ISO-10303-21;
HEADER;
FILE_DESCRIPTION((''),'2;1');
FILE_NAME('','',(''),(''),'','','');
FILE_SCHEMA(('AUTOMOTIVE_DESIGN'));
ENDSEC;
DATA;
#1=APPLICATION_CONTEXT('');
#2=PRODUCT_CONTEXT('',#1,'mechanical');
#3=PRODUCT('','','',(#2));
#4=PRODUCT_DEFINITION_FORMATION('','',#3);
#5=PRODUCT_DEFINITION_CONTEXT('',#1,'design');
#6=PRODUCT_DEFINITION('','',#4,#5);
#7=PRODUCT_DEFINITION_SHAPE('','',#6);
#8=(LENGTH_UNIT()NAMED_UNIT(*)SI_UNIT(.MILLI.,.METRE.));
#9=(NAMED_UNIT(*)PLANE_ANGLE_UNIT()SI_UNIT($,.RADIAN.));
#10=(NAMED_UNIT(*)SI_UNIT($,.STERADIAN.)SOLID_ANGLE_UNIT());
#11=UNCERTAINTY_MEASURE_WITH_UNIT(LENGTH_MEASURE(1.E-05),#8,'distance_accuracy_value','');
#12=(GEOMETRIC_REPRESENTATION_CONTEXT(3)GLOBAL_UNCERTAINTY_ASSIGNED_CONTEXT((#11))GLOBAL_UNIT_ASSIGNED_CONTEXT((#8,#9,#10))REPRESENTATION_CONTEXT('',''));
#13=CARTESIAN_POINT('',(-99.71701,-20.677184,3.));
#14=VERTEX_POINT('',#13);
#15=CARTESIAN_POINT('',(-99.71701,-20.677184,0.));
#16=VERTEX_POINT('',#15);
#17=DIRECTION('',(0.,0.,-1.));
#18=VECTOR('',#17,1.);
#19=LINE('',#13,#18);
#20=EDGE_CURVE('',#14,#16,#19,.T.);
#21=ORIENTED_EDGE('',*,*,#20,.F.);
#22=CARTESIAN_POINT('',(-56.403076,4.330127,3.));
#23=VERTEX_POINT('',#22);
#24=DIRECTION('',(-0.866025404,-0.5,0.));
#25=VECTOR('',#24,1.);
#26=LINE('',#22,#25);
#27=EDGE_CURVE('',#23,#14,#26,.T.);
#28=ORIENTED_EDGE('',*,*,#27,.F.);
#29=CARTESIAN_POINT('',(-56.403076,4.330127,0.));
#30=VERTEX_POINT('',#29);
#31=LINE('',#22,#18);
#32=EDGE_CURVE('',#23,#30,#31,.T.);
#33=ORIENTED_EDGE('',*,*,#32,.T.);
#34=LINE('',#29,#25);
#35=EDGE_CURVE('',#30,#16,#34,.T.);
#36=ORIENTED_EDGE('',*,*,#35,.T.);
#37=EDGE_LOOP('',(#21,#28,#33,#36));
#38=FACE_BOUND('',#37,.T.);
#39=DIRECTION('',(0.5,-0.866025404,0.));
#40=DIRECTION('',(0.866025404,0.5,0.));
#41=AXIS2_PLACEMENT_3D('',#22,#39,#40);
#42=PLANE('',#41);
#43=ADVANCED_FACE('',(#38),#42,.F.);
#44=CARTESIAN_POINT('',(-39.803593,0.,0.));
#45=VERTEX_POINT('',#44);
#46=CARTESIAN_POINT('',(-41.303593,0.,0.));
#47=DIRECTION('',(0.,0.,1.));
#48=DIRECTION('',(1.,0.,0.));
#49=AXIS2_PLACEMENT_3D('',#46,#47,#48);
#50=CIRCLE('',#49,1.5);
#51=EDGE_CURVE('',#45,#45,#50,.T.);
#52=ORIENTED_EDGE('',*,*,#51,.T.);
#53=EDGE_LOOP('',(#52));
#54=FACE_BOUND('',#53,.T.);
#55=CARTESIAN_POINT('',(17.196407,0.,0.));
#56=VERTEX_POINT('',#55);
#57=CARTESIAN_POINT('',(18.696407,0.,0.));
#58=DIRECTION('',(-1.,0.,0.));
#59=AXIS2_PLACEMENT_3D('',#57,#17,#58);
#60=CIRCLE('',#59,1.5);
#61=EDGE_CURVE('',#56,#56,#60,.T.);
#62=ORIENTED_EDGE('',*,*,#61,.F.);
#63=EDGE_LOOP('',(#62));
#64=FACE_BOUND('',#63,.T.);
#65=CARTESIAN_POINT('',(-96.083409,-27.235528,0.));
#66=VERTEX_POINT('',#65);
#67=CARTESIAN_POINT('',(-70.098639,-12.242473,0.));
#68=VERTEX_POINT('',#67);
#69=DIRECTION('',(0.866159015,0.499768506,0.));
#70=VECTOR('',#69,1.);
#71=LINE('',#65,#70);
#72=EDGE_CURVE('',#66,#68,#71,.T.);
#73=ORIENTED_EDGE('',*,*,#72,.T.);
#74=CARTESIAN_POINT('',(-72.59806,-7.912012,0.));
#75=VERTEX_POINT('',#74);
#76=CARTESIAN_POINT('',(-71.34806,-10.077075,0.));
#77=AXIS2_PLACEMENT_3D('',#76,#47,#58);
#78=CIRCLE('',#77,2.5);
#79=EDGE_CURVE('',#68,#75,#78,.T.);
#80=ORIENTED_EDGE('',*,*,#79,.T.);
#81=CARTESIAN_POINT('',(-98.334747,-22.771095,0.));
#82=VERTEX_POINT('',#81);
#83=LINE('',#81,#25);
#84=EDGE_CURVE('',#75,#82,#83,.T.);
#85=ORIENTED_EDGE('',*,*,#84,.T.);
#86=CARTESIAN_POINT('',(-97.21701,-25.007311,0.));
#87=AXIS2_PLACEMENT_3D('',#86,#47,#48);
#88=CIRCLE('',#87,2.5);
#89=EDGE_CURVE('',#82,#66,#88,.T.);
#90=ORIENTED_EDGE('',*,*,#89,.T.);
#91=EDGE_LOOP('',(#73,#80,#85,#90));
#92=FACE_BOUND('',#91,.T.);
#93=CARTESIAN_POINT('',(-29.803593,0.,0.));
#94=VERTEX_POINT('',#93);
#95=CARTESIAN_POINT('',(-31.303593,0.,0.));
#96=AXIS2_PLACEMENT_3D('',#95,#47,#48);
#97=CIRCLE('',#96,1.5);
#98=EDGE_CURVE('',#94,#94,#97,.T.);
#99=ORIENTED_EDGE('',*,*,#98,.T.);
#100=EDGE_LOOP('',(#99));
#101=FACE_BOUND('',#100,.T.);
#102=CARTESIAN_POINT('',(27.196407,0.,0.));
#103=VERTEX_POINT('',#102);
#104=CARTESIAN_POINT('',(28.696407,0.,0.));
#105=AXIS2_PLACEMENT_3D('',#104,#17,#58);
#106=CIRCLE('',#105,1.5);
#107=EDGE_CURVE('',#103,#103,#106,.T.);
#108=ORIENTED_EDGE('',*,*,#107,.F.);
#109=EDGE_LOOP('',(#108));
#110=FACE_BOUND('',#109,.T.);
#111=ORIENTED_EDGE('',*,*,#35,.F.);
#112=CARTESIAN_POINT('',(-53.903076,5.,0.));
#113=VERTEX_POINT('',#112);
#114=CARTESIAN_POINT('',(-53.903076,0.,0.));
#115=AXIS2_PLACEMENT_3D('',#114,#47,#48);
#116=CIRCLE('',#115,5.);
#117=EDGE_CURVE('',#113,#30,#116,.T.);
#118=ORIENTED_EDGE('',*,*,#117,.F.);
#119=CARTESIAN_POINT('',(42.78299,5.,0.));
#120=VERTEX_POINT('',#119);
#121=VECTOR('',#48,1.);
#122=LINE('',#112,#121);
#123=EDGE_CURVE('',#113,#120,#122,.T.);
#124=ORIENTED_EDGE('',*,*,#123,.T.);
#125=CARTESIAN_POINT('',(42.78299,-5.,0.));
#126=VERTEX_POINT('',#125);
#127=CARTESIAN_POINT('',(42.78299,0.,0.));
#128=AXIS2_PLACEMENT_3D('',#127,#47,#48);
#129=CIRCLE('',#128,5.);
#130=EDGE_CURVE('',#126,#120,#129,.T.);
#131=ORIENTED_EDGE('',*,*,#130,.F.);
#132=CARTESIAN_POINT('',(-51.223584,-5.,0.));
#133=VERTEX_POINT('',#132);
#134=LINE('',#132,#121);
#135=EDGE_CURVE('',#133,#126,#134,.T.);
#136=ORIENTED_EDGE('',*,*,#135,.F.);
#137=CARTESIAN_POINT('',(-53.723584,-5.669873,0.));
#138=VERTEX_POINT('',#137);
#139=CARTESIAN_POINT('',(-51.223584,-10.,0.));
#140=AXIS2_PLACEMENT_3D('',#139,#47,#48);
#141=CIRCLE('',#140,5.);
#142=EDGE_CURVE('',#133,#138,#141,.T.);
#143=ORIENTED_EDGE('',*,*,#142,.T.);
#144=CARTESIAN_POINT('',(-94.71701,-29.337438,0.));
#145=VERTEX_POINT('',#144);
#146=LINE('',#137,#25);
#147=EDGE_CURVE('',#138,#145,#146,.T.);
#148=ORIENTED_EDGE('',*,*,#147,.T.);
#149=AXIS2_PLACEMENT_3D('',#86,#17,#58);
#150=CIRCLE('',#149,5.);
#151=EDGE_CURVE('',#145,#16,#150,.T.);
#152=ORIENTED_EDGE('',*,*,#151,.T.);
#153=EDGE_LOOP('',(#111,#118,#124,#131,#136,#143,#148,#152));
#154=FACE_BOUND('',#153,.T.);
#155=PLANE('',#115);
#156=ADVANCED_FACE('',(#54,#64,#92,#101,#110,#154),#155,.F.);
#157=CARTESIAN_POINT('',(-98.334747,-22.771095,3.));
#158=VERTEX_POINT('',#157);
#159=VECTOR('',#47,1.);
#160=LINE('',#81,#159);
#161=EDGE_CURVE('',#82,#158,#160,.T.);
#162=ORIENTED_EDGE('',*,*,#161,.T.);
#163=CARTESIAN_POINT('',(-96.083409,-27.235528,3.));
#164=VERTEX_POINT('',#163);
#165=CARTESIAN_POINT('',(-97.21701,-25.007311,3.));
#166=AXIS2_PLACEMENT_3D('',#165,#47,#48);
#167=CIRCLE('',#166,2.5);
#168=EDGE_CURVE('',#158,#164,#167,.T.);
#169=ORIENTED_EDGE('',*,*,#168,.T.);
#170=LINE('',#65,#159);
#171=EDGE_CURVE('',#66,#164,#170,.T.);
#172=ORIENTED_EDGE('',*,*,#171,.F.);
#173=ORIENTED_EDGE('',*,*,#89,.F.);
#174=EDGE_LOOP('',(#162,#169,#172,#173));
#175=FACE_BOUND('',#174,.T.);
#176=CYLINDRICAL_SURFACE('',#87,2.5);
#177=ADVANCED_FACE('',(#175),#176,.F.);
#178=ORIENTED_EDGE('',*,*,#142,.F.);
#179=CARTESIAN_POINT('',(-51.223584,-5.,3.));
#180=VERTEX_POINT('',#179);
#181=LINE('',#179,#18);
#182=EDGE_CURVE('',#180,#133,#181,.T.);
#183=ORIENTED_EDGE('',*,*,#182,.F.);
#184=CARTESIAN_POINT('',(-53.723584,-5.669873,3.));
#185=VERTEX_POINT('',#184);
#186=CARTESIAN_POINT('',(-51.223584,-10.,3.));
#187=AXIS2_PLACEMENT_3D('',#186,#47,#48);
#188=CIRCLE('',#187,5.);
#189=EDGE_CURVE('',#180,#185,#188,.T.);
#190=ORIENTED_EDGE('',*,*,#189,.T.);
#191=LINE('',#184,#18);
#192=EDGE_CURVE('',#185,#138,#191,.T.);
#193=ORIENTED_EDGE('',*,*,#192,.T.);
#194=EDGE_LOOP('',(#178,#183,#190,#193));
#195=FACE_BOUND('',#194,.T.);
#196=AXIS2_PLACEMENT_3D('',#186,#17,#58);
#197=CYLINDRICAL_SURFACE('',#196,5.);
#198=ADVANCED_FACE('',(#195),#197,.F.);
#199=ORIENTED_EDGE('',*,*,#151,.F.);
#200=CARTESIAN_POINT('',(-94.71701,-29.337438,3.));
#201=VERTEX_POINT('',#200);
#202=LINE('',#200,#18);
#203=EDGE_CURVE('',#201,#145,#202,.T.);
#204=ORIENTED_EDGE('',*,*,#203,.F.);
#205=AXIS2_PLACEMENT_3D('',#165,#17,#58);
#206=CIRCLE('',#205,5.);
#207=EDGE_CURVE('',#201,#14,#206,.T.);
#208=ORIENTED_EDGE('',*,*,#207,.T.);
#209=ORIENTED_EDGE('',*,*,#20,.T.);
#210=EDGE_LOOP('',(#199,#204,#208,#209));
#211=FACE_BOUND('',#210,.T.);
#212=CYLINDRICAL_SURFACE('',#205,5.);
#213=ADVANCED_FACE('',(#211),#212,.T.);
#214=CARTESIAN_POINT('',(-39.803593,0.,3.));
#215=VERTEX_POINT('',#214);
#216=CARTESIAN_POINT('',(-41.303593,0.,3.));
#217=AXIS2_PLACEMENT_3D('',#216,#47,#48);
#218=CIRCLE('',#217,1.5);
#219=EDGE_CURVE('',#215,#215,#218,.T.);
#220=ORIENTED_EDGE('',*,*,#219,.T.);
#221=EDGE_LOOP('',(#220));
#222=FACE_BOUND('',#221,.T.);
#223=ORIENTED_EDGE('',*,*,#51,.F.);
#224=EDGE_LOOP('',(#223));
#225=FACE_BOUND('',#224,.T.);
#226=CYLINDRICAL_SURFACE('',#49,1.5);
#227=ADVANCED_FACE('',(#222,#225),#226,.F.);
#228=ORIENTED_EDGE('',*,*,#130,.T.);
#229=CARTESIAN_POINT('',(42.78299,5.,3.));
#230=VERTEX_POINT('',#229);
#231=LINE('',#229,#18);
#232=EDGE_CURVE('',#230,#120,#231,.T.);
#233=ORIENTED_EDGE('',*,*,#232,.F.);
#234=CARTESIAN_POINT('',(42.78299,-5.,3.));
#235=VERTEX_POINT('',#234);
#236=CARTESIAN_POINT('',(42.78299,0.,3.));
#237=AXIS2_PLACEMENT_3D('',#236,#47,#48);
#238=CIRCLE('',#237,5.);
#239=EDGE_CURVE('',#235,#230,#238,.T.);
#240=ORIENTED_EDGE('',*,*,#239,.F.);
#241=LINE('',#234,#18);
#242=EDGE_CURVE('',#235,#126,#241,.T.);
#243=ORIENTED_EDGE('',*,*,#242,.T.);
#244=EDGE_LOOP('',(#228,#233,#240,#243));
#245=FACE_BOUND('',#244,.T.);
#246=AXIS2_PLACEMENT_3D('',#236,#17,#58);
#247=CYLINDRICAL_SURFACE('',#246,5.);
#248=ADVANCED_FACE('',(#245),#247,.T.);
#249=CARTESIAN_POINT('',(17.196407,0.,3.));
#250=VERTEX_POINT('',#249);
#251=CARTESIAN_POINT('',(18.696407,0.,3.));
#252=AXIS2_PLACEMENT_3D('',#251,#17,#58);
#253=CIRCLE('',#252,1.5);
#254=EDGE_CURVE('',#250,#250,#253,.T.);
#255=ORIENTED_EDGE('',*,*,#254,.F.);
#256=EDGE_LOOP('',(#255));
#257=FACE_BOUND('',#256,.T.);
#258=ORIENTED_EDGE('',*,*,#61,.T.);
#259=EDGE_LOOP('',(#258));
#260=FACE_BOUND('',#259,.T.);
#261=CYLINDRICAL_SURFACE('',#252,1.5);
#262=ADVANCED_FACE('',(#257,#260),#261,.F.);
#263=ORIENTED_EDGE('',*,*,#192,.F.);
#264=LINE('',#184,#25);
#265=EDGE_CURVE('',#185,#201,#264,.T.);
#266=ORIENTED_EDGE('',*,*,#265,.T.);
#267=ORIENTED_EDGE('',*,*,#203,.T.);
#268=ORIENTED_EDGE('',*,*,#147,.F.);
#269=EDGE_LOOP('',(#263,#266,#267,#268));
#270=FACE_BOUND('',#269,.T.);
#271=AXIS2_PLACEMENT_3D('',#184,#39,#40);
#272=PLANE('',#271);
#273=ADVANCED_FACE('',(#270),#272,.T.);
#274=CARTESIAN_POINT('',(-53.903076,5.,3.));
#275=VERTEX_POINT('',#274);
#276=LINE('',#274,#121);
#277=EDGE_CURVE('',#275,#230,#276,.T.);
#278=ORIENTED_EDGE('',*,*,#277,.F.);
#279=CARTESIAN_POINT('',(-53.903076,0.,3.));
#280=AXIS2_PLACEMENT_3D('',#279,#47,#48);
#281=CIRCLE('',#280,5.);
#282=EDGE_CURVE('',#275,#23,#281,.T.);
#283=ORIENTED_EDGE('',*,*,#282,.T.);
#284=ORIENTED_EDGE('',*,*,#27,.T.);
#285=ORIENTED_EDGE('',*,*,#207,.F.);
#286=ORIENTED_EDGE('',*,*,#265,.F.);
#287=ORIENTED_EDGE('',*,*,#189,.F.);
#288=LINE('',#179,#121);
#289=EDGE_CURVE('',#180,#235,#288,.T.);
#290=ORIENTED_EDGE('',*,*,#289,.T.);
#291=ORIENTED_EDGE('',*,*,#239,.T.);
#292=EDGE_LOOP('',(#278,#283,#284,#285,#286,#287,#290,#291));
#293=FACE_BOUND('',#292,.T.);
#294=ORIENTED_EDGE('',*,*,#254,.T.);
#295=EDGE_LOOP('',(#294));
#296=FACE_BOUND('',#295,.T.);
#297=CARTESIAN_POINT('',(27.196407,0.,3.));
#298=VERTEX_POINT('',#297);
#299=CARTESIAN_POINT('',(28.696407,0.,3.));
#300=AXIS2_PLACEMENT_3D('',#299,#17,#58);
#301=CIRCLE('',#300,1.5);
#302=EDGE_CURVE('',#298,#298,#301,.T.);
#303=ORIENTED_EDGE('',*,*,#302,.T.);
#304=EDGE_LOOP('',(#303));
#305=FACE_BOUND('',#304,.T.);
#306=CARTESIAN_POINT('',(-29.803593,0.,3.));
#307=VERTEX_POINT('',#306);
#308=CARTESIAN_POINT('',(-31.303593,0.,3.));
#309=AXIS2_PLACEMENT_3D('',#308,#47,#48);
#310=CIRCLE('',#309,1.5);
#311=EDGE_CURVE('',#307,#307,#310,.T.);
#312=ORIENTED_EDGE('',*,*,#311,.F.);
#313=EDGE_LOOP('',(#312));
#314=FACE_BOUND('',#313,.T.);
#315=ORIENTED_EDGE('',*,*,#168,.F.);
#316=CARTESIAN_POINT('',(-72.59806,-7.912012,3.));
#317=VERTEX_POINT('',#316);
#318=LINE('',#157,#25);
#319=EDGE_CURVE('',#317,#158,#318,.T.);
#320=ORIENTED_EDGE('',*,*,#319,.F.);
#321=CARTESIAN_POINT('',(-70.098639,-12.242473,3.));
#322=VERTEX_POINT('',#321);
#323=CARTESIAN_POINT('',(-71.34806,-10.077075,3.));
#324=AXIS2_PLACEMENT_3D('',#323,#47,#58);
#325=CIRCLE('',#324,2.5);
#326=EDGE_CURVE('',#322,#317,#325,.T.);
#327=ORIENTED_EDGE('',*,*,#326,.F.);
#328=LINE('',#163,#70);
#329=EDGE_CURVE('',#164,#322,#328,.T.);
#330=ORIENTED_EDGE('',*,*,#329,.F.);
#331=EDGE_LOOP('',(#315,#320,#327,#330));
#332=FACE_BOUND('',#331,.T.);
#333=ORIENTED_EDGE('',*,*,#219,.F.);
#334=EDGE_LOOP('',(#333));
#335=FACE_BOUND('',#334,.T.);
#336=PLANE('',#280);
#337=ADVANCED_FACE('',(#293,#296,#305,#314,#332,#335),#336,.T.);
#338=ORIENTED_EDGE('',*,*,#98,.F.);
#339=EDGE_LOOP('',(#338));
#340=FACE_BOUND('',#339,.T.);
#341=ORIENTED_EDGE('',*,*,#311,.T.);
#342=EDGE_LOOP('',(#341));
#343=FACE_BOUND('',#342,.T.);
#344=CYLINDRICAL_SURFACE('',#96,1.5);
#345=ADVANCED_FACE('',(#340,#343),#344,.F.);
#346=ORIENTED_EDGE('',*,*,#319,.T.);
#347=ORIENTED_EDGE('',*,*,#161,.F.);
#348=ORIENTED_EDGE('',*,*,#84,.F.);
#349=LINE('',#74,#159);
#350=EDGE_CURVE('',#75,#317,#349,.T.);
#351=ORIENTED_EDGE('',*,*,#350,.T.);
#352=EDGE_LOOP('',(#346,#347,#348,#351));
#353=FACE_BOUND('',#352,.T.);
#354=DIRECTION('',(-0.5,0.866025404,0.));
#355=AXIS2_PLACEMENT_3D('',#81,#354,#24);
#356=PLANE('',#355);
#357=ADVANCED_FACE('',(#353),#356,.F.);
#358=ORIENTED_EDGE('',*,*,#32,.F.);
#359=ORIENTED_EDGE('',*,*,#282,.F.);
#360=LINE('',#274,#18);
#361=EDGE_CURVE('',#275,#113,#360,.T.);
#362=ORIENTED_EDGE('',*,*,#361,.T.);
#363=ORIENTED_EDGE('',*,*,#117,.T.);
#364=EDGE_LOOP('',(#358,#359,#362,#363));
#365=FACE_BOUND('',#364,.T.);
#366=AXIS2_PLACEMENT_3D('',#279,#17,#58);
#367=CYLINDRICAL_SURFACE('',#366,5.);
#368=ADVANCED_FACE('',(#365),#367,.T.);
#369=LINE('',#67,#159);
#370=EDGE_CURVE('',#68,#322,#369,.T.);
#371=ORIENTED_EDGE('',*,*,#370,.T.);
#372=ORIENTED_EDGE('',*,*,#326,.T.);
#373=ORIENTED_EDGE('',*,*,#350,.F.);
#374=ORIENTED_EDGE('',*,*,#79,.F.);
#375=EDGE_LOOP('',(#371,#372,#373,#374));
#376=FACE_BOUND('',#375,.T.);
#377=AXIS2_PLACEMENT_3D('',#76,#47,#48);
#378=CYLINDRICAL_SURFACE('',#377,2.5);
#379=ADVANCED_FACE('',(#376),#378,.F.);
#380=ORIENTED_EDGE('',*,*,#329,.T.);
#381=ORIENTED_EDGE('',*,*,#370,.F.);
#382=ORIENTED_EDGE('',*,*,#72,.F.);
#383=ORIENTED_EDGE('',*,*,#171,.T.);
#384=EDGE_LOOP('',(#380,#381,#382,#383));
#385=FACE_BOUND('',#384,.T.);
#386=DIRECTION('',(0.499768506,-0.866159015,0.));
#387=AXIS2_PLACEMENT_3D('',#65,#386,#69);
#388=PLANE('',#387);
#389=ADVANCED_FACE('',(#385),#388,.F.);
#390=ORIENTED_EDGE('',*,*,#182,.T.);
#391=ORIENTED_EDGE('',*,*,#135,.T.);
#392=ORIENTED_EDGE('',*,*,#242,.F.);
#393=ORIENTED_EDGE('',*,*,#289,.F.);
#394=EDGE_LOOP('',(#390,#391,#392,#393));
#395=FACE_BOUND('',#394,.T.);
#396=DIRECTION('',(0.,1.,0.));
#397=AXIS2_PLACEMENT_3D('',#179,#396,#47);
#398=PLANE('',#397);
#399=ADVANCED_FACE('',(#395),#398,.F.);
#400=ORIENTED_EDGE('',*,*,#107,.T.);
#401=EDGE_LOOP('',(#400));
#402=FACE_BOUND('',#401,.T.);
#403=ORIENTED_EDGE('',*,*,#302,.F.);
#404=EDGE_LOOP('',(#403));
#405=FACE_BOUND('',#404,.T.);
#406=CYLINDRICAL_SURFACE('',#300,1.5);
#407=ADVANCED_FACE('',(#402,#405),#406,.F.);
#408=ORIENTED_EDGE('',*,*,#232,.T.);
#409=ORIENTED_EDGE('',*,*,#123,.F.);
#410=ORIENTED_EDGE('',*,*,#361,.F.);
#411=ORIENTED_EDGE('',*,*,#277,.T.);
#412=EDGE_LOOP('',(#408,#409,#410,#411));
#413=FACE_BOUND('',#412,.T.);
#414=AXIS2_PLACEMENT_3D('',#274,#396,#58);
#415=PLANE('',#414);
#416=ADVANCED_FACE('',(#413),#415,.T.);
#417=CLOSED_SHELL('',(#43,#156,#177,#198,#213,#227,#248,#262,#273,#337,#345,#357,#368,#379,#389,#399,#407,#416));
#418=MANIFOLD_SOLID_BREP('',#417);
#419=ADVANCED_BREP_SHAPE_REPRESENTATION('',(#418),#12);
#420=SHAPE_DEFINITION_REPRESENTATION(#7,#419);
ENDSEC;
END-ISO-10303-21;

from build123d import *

# Parameters (mm, degrees)
EXTRUDE_1_DEPTH     = 3
CUT_EXTRUDE_1_DEPTH = 3
SKETCH_3_R          = 1.5
CUT_EXTRUDE_2_DEPTH = 3
SKETCH_4_R          = 1.5
CUT_EXTRUDE_3_DEPTH = 4


with BuildPart() as part:
    # 草图1 → 凸台-拉伸1 (new body)
    with BuildSketch(Plane.XY):
        with BuildLine():
            Line((-53.903075976, 5), (42.782990351, 5))
            ThreePointArc((42.782990351, 5), (47.782990351, 0), (42.782990351, -5))
            Line((42.782990351, -5), (-51.223584051, -5))
            ThreePointArc((-51.223584051, -5), (-52.517679277, -5.170370869), (-53.723584051, -5.669872981))
            Line((-53.723584051, -5.669872981), (-94.717009649, -29.337438285))
            ThreePointArc((-94.717009649, -29.337438285), (-101.547136668, -27.507311266), (-99.717009649, -20.677184247))
            Line((-99.717009649, -20.677184247), (-56.403075976, 4.330127019))
            ThreePointArc((-56.403075976, 4.330127019), (-55.197171201, 4.829629131), (-53.903075976, 5))
        make_face()
    extrude(amount=EXTRUDE_1_DEPTH)

    # 草图2 → 切除-拉伸1 (cut)
    with BuildSketch(Plane.XY.offset(3)):
        with BuildLine():
            Line((-98.334747096, -22.771095042), (-72.598059837, -7.912011725))
            ThreePointArc((-72.598059837, -7.912011725), (-69.182829293, -8.82736459), (-70.098638571, -12.242472773))
            Line((-70.098638571, -12.242472773), (-96.083409035, -27.235527963))
            ThreePointArc((-96.083409035, -27.235527963), (-99.449240201, -26.132987403), (-98.334747096, -22.771095042))
        make_face()
    extrude(amount=-CUT_EXTRUDE_1_DEPTH, mode=Mode.SUBTRACT)

    # 草图3 → 切除-拉伸2 (cut)
    with BuildSketch(Plane.XY.offset(3)):
        with Locations((-31.303593391, 0)):
            Circle(SKETCH_3_R)
        with Locations((-41.303593391, 0)):
            Circle(SKETCH_3_R)
    extrude(amount=-CUT_EXTRUDE_2_DEPTH, mode=Mode.SUBTRACT)

    # 草图4 → 切除-拉伸3 (cut, through all)
    with BuildSketch(Plane(origin=(0, 0, 0), x_dir=(-1, 0, 0), z_dir=(0, 0, -1))):
        with Locations((-18.696406609, 0)):
            Circle(SKETCH_4_R)
        with Locations((-28.696406609, 0)):
            Circle(SKETCH_4_R)
    extrude(amount=-CUT_EXTRUDE_3_DEPTH, mode=Mode.SUBTRACT)


solid = part.part
